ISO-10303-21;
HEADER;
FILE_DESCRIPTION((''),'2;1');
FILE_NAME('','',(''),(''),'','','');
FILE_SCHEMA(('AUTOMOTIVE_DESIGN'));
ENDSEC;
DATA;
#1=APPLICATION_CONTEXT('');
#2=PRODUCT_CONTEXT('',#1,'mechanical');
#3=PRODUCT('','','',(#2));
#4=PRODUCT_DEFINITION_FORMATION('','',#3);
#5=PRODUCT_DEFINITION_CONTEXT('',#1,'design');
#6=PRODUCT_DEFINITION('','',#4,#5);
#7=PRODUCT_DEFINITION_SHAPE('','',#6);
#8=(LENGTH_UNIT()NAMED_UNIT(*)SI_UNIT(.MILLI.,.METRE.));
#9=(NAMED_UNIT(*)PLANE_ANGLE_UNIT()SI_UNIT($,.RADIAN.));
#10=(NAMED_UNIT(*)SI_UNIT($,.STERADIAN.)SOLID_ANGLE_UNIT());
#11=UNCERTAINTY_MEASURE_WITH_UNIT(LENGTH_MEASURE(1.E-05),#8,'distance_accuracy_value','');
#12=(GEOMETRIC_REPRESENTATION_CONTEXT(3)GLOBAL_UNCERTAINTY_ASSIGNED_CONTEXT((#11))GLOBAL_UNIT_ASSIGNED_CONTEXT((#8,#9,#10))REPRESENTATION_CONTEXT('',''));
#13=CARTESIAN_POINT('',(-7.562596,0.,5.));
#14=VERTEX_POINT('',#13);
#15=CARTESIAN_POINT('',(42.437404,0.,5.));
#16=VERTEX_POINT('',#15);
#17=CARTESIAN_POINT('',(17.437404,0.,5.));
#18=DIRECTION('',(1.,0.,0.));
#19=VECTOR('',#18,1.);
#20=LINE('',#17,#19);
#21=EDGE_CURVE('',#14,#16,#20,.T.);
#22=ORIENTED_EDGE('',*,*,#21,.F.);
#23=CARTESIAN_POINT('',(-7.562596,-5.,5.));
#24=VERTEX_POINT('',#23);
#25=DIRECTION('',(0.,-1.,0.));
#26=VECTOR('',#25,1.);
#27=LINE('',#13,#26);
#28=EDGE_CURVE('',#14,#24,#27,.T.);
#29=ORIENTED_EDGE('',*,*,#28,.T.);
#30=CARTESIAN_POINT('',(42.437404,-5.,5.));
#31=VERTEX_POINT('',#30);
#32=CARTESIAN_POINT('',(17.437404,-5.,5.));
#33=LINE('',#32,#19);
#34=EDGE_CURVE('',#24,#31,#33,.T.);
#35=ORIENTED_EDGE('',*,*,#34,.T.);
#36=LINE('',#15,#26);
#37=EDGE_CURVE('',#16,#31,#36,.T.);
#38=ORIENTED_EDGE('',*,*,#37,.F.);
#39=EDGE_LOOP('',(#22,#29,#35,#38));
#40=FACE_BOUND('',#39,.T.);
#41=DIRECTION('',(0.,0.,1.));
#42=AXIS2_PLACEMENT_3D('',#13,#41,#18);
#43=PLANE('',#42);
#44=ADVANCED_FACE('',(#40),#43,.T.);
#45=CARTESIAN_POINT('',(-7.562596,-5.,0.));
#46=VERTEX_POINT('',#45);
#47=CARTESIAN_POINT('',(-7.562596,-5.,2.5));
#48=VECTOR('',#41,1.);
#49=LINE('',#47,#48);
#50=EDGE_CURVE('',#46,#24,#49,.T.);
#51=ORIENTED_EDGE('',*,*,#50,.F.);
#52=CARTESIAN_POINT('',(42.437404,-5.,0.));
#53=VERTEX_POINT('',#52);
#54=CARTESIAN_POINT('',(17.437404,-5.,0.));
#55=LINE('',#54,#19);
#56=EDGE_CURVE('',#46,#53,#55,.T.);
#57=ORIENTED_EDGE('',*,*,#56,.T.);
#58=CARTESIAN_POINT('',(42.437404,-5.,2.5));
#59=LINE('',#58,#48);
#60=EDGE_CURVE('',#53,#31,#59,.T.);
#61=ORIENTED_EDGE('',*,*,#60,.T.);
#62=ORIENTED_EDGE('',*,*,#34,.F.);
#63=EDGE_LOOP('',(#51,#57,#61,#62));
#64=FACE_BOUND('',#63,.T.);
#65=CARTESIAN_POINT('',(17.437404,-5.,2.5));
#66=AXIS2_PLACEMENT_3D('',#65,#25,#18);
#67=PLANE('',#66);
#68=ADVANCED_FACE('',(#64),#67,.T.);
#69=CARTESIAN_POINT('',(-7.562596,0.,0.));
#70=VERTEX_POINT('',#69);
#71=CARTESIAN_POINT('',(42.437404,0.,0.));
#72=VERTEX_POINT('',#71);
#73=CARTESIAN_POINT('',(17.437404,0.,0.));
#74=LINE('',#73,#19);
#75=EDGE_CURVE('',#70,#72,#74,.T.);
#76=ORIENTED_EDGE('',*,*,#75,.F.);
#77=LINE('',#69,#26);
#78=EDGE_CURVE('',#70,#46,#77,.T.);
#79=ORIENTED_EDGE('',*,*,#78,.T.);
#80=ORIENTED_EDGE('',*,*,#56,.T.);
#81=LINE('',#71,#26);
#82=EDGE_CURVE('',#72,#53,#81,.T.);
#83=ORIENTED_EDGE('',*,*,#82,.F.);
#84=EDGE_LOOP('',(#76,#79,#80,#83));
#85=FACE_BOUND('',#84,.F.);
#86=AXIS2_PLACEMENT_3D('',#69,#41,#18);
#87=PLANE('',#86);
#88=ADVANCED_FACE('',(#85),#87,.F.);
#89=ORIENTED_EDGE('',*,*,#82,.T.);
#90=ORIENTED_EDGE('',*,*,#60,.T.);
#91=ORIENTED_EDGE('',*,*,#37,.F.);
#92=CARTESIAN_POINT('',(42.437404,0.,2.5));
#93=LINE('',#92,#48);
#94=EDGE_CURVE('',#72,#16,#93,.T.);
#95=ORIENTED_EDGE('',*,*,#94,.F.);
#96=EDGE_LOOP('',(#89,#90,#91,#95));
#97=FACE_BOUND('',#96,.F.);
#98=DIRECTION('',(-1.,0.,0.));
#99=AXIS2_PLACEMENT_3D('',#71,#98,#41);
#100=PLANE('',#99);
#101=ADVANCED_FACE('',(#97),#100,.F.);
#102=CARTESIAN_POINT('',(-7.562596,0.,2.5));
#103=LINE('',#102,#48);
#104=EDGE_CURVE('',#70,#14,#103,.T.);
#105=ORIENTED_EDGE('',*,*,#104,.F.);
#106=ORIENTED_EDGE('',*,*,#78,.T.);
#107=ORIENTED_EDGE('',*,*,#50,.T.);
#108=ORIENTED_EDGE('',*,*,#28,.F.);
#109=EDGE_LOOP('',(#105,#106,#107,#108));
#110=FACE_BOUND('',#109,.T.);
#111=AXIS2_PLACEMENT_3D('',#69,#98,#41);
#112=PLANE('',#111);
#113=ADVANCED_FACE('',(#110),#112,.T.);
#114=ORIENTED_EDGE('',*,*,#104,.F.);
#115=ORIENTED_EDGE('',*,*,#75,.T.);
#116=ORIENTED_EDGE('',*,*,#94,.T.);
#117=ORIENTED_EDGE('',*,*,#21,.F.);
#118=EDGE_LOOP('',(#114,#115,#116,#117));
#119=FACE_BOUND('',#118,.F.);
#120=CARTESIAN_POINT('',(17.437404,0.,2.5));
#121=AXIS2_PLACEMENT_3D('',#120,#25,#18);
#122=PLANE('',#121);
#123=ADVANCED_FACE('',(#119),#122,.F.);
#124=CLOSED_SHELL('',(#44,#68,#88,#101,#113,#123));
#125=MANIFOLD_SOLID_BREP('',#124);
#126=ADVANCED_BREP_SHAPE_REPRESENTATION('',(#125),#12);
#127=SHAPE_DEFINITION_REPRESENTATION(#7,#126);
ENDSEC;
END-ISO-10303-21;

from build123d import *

# Parameters (mm, degrees)
F0_W     = 50
F0_H     = 5
F1_DEPTH = 5
F2_W     = 5
F2_H     = 50
F3_DEPTH = 5


with BuildPart() as f1:
    # F0 (on Front) → F1 (new body)
    with BuildSketch(Plane.XZ):
        with Locations((17.437404, 2.5)):
            Rectangle(F0_W, F0_H)
    extrude(amount=F1_DEPTH)


with BuildPart() as f3:
    # F2 (on Front) → F3 (new body)
    with BuildSketch(Plane.XZ):
        with Locations((-58.303325, 25)):
            Rectangle(F2_W, F2_H)
    extrude(amount=F3_DEPTH)


solid = f1.part
